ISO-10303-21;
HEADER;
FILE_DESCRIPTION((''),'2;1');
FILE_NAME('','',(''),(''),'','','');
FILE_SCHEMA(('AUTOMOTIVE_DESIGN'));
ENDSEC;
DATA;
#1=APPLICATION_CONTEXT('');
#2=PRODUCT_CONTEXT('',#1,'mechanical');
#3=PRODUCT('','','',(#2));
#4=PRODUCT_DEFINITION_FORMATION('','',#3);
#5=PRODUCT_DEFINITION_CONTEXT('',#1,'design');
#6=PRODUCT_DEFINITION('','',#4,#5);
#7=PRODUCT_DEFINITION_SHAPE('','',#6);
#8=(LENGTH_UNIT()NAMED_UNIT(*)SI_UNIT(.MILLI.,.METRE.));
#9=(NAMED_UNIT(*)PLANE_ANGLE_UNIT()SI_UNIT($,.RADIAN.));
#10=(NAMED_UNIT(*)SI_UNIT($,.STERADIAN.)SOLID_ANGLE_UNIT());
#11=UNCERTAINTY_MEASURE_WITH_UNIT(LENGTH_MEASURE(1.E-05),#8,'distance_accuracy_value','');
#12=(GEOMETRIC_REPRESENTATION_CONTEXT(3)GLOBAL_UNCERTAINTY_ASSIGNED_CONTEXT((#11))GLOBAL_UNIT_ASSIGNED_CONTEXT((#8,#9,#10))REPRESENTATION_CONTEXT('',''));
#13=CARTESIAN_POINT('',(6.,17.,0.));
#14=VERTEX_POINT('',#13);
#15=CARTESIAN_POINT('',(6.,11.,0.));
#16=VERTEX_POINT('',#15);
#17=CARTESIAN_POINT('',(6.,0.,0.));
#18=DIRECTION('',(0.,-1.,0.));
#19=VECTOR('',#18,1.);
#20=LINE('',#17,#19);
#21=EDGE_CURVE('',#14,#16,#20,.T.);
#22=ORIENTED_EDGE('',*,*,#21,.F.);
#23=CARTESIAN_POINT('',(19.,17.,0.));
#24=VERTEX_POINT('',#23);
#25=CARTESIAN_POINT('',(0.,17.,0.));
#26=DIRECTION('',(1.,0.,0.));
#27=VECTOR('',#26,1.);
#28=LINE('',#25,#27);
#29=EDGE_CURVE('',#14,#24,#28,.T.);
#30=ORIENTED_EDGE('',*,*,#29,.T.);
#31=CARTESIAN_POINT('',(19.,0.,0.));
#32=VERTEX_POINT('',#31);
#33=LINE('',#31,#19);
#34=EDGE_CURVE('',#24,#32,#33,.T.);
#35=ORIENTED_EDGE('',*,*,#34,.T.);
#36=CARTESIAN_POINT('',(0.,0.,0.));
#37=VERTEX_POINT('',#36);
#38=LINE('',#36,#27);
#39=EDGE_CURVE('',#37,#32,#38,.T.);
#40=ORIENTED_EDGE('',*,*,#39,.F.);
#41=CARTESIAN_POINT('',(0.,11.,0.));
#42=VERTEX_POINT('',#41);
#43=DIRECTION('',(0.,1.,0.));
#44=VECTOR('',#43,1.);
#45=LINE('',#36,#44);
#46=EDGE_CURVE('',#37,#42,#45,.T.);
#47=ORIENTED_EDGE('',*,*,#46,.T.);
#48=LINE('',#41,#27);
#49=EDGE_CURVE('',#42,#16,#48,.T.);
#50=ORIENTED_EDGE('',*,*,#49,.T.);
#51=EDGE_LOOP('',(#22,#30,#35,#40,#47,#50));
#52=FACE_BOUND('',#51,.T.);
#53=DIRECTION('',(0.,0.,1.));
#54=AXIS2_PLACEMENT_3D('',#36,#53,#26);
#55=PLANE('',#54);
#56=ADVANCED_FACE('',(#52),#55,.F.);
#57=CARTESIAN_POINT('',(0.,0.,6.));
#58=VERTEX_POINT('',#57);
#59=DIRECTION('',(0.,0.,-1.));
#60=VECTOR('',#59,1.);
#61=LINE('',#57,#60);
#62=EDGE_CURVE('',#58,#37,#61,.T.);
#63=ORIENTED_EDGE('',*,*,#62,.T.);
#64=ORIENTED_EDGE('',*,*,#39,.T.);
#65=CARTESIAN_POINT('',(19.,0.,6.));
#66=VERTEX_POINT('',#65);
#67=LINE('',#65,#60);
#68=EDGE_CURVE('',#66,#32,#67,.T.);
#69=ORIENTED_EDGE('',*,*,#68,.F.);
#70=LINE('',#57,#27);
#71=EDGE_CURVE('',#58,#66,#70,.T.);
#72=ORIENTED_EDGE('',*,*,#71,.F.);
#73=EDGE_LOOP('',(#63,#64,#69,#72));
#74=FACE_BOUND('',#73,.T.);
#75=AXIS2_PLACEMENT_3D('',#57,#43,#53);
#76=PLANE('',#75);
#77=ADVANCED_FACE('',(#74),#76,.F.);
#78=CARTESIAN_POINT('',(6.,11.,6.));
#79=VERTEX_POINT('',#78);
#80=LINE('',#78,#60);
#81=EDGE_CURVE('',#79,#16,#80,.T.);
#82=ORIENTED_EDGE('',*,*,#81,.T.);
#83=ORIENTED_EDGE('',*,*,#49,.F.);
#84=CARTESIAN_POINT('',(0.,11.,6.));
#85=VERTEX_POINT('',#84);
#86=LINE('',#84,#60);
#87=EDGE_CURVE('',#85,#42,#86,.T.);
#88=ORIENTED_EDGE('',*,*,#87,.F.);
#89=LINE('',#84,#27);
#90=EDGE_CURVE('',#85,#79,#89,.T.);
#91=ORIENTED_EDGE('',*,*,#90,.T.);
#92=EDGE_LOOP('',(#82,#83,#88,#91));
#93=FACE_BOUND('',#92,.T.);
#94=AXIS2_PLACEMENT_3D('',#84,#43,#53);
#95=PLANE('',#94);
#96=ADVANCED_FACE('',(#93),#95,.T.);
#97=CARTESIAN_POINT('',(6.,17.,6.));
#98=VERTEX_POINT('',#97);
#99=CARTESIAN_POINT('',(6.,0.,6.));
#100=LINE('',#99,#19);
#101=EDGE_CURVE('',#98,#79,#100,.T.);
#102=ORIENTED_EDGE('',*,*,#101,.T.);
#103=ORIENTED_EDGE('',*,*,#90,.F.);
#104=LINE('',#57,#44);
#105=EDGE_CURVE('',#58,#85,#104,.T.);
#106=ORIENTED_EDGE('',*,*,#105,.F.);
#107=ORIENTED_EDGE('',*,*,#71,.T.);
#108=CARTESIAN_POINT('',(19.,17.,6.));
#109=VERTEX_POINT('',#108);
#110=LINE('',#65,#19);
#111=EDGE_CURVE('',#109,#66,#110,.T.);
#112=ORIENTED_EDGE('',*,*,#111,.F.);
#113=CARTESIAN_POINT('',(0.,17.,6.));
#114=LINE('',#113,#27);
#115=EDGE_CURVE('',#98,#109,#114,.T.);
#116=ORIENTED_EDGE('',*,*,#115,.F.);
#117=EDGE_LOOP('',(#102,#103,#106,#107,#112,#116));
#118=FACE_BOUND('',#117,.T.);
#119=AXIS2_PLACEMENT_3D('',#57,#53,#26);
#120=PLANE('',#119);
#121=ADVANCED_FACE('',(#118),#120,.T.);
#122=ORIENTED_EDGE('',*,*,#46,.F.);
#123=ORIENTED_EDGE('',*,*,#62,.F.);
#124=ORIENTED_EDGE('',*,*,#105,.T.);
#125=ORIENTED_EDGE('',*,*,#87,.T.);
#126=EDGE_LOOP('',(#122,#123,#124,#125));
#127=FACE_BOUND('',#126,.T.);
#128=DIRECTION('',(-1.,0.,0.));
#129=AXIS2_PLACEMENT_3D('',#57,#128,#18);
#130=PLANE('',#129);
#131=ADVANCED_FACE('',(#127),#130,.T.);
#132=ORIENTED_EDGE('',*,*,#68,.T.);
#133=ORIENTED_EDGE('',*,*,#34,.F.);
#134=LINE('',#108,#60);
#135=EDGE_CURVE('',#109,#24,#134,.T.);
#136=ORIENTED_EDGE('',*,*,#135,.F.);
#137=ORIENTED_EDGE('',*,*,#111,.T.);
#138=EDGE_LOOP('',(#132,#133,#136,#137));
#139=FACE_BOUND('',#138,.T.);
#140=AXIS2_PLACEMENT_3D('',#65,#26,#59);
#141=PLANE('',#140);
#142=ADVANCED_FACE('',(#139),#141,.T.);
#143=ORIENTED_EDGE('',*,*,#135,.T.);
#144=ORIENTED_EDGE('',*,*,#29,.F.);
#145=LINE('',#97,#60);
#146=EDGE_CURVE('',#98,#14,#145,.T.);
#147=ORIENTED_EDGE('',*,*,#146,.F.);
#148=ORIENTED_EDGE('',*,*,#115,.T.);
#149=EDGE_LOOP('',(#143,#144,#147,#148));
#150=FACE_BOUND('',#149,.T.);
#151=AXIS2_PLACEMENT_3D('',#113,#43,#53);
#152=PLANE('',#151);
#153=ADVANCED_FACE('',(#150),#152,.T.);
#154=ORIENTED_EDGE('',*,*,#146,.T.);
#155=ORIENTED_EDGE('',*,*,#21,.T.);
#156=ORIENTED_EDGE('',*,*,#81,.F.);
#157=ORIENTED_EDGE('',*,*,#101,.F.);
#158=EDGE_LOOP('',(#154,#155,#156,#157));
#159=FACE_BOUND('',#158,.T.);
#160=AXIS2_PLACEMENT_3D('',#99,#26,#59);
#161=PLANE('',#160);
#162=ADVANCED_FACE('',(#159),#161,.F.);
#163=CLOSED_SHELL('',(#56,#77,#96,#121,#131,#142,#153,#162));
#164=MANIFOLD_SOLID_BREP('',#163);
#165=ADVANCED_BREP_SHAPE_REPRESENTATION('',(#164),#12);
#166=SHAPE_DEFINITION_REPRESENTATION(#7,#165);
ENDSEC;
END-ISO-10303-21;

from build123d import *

# Parameters (mm, degrees)
RESSALTO_EXTRUS_O1_DEPTH = 6


with BuildPart() as part:
    # Esboço1 → Ressalto-extrusão1 (new body)
    with BuildSketch(Plane.XY):
        Polygon((0, 11), (0, 0), (19, 0), (19, 17), (6, 17), (6, 11), align=None)
    extrude(amount=RESSALTO_EXTRUS_O1_DEPTH)


solid = part.part
